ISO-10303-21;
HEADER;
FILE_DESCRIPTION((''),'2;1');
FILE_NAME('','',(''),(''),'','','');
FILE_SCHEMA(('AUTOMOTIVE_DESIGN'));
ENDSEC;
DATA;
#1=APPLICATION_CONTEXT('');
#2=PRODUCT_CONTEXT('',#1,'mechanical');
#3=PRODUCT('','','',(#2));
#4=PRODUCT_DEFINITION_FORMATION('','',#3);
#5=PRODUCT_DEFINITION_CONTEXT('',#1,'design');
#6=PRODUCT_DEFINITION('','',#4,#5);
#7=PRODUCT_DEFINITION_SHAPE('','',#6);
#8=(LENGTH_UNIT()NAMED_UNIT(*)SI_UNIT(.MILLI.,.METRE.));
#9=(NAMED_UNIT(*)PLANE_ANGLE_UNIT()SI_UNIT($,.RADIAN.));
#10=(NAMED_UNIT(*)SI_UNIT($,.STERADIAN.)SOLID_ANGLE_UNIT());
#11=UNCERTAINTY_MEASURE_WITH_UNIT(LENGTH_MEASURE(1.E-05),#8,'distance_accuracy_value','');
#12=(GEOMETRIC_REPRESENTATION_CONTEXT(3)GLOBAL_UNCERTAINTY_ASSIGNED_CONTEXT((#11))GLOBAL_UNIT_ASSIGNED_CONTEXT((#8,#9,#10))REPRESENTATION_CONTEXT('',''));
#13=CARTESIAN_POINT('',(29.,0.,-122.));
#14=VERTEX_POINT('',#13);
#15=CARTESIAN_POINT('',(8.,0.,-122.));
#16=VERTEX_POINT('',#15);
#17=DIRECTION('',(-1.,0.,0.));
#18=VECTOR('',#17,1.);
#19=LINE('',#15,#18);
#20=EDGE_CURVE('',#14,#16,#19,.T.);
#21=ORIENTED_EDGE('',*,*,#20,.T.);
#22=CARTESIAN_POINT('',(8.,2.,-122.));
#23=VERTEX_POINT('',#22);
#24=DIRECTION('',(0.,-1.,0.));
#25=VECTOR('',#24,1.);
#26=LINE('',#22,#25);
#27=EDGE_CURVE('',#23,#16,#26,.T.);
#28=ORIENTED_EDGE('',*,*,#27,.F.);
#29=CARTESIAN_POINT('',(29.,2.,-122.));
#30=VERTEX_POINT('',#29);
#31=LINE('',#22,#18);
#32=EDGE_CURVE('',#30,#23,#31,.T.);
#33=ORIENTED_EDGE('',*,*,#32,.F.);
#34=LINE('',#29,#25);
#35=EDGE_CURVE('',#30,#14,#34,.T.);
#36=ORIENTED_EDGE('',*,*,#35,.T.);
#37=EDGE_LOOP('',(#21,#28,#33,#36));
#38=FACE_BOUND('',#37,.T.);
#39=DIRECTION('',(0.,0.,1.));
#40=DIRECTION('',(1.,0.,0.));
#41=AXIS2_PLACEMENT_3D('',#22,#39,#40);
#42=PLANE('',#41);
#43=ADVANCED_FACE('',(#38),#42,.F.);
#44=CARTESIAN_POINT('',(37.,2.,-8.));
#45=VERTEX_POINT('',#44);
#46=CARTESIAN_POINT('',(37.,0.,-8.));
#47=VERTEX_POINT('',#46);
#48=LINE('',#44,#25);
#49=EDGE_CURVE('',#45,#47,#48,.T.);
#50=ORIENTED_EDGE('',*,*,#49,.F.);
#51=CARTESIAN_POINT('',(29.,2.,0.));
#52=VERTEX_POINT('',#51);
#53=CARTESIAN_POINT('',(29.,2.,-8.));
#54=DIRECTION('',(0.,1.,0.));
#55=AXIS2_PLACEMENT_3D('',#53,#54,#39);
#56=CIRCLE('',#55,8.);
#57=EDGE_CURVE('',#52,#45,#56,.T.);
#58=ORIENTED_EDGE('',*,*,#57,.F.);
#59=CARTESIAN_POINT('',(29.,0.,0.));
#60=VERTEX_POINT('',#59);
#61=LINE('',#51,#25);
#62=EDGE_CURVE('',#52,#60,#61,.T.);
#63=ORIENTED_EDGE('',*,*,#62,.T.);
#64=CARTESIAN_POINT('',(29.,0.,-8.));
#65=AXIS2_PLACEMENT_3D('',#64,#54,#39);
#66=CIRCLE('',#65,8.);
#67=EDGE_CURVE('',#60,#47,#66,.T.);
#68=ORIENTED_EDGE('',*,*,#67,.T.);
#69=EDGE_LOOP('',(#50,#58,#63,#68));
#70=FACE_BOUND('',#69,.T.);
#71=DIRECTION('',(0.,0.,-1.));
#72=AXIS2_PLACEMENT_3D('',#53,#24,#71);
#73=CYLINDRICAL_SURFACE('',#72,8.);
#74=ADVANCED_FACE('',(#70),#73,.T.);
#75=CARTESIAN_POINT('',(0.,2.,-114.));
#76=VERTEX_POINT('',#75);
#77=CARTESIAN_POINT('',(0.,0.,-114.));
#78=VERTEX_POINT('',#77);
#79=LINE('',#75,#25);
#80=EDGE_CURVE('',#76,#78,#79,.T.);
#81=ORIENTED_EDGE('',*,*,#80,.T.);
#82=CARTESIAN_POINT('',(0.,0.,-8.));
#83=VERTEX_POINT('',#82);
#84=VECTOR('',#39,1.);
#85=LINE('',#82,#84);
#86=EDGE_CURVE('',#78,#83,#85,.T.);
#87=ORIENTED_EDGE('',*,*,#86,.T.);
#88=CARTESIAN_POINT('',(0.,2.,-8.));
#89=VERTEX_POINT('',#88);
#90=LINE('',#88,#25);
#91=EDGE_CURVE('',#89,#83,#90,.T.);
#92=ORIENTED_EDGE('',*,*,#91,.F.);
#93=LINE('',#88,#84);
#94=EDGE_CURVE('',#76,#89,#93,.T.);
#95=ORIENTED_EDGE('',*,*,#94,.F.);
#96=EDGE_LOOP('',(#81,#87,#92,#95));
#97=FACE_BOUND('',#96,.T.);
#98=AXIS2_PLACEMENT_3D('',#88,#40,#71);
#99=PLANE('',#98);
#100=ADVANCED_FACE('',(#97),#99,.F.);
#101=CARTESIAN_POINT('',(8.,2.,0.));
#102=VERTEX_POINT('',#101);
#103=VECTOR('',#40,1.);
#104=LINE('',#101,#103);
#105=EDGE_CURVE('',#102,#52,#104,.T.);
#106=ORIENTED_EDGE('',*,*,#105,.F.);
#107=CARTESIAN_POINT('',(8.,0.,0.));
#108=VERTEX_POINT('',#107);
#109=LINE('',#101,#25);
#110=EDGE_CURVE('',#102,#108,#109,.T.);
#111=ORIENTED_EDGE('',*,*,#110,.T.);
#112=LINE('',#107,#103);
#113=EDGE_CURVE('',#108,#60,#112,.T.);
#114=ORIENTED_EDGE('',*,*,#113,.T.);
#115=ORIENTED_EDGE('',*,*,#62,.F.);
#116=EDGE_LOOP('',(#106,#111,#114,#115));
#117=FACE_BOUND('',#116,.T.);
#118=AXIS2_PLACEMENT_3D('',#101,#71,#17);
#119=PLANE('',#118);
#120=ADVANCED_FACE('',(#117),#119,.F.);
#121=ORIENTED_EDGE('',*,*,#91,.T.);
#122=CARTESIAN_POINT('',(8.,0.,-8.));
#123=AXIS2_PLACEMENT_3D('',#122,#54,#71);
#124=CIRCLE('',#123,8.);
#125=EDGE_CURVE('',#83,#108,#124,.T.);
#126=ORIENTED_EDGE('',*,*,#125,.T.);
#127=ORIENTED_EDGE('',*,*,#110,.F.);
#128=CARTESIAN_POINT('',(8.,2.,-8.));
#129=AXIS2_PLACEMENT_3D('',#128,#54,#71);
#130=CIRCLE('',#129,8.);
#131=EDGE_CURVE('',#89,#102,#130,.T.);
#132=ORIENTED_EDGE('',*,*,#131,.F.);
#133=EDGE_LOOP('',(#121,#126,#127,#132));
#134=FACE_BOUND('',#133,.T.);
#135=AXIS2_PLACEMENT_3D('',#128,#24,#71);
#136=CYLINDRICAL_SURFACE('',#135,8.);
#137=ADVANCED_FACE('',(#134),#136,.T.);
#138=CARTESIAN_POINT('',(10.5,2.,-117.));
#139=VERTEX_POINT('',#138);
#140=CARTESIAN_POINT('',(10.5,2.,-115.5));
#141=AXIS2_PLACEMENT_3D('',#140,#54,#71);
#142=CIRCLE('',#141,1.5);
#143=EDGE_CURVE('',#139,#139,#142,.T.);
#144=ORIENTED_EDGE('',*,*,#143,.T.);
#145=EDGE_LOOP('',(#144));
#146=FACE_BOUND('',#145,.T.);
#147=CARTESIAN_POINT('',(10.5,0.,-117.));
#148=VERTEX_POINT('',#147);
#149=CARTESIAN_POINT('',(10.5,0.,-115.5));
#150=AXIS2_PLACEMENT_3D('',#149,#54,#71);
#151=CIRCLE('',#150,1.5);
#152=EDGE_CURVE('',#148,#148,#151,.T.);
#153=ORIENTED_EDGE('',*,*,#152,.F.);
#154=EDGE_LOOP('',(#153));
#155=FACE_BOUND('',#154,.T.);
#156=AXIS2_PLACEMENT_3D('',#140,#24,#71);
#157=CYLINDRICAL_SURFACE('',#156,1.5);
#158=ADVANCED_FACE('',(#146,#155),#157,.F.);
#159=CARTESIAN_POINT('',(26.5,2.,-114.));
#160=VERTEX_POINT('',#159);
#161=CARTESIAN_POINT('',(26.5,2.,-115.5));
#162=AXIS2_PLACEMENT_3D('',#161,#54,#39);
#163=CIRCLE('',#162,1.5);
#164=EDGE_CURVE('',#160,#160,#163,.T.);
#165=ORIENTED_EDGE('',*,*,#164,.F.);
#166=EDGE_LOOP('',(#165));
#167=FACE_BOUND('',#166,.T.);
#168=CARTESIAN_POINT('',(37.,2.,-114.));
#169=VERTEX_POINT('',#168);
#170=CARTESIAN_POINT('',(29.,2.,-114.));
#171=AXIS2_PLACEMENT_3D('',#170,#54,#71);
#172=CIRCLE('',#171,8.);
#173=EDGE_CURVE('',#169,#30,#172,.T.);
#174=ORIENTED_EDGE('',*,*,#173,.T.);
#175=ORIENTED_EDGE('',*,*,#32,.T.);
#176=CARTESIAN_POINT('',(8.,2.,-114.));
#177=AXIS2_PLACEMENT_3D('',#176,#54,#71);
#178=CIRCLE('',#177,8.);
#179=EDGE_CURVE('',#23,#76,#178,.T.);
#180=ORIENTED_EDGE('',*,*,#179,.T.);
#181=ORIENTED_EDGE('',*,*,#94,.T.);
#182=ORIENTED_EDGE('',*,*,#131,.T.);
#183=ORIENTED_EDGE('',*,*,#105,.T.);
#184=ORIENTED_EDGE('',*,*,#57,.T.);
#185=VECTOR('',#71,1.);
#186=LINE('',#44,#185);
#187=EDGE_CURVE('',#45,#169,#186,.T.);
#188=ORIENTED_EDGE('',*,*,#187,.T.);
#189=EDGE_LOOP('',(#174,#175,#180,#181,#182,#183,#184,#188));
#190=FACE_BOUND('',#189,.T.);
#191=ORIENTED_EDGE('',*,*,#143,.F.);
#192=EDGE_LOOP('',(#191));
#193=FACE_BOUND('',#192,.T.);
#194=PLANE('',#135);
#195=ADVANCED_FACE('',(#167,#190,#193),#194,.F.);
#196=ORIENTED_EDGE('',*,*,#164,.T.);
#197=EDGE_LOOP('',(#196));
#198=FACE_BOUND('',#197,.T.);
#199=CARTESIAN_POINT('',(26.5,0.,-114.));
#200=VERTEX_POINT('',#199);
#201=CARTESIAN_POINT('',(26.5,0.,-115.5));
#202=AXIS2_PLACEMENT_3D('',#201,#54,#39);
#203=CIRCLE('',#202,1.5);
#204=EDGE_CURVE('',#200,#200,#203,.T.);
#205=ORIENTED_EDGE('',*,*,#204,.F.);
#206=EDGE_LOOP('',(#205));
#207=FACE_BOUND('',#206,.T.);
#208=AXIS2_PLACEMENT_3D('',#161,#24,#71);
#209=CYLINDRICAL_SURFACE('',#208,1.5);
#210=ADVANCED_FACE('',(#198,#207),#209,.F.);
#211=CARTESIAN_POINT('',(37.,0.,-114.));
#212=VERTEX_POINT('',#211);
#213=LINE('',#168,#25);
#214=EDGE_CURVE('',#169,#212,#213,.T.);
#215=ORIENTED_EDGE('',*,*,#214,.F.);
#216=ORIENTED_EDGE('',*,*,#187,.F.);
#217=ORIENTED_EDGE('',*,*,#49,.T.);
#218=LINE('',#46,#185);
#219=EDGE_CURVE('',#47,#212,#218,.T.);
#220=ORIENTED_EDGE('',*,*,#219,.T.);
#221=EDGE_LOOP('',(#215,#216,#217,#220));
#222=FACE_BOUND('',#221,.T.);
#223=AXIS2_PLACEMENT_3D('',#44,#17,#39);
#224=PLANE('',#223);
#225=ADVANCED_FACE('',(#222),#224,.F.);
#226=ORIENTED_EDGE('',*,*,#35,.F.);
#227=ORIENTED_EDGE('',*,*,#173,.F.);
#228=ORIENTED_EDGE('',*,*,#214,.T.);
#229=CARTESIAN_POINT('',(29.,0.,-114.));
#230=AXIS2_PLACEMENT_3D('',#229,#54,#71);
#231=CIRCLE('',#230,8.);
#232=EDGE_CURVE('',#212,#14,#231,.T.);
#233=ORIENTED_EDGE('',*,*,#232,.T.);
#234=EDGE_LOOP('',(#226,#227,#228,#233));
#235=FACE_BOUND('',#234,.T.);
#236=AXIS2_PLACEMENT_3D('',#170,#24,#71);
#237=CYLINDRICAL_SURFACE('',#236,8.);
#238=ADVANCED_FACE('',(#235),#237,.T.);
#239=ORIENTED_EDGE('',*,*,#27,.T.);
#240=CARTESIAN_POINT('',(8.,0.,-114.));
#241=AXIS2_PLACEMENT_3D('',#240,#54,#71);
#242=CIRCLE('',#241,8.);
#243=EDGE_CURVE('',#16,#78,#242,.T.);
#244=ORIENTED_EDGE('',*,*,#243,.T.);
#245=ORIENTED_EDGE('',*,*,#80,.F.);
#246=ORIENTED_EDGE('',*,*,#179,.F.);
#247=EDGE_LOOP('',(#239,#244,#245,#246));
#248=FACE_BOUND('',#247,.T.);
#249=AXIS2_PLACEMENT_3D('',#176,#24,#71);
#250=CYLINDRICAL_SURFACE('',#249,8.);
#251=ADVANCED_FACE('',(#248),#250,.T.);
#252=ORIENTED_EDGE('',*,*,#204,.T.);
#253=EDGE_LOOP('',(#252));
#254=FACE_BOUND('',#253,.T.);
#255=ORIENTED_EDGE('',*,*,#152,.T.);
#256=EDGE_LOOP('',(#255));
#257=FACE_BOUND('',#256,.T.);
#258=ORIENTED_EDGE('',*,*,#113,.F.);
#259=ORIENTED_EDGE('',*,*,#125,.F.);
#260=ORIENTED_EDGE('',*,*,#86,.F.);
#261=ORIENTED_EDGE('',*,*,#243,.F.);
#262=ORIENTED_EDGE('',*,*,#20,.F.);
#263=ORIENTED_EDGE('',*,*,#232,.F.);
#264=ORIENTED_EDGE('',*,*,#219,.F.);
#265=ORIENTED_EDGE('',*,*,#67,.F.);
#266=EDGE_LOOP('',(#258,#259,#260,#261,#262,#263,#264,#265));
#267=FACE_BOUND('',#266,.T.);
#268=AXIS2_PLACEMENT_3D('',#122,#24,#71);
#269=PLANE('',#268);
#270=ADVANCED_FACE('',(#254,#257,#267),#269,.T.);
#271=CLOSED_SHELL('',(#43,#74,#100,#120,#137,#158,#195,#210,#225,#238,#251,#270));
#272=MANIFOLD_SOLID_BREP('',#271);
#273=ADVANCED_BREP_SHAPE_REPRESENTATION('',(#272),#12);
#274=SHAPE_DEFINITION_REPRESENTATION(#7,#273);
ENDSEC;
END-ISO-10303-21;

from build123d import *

# Parameters (mm, degrees)
SKETCH1_R           = 1.5
BOSS_EXTRUDE1_DEPTH = 2


with BuildPart() as part:
    # Sketch1 → Boss-Extrude1 (new body)
    with BuildSketch(Plane(origin=(0, 0, 0), x_dir=(1, 0, 0), z_dir=(0, 1, 0))):
        with BuildLine():
            Line((8, 0), (29, 0))
            ThreePointArc((29, 0), (34.656854249, 2.343145751), (37, 8))
            Line((37, 8), (37, 114))
            ThreePointArc((37, 114), (34.656854249, 119.656854249), (29, 122))
            Line((29, 122), (8, 122))
            ThreePointArc((8, 122), (2.343145751, 119.656854249), (0, 114))
            Line((0, 114), (0, 8))
            ThreePointArc((0, 8), (2.343145751, 2.343145751), (8, 0))
        make_face()
        with Locations(Location((26.5, 115.5, 0), (0, 0, 270))):
            Circle(SKETCH1_R, mode=Mode.SUBTRACT)
        with Locations(Location((10.5, 115.5, 0), (0, 0, 90))):
            Circle(SKETCH1_R, mode=Mode.SUBTRACT)
    extrude(amount=BOSS_EXTRUDE1_DEPTH)


solid = part.part
